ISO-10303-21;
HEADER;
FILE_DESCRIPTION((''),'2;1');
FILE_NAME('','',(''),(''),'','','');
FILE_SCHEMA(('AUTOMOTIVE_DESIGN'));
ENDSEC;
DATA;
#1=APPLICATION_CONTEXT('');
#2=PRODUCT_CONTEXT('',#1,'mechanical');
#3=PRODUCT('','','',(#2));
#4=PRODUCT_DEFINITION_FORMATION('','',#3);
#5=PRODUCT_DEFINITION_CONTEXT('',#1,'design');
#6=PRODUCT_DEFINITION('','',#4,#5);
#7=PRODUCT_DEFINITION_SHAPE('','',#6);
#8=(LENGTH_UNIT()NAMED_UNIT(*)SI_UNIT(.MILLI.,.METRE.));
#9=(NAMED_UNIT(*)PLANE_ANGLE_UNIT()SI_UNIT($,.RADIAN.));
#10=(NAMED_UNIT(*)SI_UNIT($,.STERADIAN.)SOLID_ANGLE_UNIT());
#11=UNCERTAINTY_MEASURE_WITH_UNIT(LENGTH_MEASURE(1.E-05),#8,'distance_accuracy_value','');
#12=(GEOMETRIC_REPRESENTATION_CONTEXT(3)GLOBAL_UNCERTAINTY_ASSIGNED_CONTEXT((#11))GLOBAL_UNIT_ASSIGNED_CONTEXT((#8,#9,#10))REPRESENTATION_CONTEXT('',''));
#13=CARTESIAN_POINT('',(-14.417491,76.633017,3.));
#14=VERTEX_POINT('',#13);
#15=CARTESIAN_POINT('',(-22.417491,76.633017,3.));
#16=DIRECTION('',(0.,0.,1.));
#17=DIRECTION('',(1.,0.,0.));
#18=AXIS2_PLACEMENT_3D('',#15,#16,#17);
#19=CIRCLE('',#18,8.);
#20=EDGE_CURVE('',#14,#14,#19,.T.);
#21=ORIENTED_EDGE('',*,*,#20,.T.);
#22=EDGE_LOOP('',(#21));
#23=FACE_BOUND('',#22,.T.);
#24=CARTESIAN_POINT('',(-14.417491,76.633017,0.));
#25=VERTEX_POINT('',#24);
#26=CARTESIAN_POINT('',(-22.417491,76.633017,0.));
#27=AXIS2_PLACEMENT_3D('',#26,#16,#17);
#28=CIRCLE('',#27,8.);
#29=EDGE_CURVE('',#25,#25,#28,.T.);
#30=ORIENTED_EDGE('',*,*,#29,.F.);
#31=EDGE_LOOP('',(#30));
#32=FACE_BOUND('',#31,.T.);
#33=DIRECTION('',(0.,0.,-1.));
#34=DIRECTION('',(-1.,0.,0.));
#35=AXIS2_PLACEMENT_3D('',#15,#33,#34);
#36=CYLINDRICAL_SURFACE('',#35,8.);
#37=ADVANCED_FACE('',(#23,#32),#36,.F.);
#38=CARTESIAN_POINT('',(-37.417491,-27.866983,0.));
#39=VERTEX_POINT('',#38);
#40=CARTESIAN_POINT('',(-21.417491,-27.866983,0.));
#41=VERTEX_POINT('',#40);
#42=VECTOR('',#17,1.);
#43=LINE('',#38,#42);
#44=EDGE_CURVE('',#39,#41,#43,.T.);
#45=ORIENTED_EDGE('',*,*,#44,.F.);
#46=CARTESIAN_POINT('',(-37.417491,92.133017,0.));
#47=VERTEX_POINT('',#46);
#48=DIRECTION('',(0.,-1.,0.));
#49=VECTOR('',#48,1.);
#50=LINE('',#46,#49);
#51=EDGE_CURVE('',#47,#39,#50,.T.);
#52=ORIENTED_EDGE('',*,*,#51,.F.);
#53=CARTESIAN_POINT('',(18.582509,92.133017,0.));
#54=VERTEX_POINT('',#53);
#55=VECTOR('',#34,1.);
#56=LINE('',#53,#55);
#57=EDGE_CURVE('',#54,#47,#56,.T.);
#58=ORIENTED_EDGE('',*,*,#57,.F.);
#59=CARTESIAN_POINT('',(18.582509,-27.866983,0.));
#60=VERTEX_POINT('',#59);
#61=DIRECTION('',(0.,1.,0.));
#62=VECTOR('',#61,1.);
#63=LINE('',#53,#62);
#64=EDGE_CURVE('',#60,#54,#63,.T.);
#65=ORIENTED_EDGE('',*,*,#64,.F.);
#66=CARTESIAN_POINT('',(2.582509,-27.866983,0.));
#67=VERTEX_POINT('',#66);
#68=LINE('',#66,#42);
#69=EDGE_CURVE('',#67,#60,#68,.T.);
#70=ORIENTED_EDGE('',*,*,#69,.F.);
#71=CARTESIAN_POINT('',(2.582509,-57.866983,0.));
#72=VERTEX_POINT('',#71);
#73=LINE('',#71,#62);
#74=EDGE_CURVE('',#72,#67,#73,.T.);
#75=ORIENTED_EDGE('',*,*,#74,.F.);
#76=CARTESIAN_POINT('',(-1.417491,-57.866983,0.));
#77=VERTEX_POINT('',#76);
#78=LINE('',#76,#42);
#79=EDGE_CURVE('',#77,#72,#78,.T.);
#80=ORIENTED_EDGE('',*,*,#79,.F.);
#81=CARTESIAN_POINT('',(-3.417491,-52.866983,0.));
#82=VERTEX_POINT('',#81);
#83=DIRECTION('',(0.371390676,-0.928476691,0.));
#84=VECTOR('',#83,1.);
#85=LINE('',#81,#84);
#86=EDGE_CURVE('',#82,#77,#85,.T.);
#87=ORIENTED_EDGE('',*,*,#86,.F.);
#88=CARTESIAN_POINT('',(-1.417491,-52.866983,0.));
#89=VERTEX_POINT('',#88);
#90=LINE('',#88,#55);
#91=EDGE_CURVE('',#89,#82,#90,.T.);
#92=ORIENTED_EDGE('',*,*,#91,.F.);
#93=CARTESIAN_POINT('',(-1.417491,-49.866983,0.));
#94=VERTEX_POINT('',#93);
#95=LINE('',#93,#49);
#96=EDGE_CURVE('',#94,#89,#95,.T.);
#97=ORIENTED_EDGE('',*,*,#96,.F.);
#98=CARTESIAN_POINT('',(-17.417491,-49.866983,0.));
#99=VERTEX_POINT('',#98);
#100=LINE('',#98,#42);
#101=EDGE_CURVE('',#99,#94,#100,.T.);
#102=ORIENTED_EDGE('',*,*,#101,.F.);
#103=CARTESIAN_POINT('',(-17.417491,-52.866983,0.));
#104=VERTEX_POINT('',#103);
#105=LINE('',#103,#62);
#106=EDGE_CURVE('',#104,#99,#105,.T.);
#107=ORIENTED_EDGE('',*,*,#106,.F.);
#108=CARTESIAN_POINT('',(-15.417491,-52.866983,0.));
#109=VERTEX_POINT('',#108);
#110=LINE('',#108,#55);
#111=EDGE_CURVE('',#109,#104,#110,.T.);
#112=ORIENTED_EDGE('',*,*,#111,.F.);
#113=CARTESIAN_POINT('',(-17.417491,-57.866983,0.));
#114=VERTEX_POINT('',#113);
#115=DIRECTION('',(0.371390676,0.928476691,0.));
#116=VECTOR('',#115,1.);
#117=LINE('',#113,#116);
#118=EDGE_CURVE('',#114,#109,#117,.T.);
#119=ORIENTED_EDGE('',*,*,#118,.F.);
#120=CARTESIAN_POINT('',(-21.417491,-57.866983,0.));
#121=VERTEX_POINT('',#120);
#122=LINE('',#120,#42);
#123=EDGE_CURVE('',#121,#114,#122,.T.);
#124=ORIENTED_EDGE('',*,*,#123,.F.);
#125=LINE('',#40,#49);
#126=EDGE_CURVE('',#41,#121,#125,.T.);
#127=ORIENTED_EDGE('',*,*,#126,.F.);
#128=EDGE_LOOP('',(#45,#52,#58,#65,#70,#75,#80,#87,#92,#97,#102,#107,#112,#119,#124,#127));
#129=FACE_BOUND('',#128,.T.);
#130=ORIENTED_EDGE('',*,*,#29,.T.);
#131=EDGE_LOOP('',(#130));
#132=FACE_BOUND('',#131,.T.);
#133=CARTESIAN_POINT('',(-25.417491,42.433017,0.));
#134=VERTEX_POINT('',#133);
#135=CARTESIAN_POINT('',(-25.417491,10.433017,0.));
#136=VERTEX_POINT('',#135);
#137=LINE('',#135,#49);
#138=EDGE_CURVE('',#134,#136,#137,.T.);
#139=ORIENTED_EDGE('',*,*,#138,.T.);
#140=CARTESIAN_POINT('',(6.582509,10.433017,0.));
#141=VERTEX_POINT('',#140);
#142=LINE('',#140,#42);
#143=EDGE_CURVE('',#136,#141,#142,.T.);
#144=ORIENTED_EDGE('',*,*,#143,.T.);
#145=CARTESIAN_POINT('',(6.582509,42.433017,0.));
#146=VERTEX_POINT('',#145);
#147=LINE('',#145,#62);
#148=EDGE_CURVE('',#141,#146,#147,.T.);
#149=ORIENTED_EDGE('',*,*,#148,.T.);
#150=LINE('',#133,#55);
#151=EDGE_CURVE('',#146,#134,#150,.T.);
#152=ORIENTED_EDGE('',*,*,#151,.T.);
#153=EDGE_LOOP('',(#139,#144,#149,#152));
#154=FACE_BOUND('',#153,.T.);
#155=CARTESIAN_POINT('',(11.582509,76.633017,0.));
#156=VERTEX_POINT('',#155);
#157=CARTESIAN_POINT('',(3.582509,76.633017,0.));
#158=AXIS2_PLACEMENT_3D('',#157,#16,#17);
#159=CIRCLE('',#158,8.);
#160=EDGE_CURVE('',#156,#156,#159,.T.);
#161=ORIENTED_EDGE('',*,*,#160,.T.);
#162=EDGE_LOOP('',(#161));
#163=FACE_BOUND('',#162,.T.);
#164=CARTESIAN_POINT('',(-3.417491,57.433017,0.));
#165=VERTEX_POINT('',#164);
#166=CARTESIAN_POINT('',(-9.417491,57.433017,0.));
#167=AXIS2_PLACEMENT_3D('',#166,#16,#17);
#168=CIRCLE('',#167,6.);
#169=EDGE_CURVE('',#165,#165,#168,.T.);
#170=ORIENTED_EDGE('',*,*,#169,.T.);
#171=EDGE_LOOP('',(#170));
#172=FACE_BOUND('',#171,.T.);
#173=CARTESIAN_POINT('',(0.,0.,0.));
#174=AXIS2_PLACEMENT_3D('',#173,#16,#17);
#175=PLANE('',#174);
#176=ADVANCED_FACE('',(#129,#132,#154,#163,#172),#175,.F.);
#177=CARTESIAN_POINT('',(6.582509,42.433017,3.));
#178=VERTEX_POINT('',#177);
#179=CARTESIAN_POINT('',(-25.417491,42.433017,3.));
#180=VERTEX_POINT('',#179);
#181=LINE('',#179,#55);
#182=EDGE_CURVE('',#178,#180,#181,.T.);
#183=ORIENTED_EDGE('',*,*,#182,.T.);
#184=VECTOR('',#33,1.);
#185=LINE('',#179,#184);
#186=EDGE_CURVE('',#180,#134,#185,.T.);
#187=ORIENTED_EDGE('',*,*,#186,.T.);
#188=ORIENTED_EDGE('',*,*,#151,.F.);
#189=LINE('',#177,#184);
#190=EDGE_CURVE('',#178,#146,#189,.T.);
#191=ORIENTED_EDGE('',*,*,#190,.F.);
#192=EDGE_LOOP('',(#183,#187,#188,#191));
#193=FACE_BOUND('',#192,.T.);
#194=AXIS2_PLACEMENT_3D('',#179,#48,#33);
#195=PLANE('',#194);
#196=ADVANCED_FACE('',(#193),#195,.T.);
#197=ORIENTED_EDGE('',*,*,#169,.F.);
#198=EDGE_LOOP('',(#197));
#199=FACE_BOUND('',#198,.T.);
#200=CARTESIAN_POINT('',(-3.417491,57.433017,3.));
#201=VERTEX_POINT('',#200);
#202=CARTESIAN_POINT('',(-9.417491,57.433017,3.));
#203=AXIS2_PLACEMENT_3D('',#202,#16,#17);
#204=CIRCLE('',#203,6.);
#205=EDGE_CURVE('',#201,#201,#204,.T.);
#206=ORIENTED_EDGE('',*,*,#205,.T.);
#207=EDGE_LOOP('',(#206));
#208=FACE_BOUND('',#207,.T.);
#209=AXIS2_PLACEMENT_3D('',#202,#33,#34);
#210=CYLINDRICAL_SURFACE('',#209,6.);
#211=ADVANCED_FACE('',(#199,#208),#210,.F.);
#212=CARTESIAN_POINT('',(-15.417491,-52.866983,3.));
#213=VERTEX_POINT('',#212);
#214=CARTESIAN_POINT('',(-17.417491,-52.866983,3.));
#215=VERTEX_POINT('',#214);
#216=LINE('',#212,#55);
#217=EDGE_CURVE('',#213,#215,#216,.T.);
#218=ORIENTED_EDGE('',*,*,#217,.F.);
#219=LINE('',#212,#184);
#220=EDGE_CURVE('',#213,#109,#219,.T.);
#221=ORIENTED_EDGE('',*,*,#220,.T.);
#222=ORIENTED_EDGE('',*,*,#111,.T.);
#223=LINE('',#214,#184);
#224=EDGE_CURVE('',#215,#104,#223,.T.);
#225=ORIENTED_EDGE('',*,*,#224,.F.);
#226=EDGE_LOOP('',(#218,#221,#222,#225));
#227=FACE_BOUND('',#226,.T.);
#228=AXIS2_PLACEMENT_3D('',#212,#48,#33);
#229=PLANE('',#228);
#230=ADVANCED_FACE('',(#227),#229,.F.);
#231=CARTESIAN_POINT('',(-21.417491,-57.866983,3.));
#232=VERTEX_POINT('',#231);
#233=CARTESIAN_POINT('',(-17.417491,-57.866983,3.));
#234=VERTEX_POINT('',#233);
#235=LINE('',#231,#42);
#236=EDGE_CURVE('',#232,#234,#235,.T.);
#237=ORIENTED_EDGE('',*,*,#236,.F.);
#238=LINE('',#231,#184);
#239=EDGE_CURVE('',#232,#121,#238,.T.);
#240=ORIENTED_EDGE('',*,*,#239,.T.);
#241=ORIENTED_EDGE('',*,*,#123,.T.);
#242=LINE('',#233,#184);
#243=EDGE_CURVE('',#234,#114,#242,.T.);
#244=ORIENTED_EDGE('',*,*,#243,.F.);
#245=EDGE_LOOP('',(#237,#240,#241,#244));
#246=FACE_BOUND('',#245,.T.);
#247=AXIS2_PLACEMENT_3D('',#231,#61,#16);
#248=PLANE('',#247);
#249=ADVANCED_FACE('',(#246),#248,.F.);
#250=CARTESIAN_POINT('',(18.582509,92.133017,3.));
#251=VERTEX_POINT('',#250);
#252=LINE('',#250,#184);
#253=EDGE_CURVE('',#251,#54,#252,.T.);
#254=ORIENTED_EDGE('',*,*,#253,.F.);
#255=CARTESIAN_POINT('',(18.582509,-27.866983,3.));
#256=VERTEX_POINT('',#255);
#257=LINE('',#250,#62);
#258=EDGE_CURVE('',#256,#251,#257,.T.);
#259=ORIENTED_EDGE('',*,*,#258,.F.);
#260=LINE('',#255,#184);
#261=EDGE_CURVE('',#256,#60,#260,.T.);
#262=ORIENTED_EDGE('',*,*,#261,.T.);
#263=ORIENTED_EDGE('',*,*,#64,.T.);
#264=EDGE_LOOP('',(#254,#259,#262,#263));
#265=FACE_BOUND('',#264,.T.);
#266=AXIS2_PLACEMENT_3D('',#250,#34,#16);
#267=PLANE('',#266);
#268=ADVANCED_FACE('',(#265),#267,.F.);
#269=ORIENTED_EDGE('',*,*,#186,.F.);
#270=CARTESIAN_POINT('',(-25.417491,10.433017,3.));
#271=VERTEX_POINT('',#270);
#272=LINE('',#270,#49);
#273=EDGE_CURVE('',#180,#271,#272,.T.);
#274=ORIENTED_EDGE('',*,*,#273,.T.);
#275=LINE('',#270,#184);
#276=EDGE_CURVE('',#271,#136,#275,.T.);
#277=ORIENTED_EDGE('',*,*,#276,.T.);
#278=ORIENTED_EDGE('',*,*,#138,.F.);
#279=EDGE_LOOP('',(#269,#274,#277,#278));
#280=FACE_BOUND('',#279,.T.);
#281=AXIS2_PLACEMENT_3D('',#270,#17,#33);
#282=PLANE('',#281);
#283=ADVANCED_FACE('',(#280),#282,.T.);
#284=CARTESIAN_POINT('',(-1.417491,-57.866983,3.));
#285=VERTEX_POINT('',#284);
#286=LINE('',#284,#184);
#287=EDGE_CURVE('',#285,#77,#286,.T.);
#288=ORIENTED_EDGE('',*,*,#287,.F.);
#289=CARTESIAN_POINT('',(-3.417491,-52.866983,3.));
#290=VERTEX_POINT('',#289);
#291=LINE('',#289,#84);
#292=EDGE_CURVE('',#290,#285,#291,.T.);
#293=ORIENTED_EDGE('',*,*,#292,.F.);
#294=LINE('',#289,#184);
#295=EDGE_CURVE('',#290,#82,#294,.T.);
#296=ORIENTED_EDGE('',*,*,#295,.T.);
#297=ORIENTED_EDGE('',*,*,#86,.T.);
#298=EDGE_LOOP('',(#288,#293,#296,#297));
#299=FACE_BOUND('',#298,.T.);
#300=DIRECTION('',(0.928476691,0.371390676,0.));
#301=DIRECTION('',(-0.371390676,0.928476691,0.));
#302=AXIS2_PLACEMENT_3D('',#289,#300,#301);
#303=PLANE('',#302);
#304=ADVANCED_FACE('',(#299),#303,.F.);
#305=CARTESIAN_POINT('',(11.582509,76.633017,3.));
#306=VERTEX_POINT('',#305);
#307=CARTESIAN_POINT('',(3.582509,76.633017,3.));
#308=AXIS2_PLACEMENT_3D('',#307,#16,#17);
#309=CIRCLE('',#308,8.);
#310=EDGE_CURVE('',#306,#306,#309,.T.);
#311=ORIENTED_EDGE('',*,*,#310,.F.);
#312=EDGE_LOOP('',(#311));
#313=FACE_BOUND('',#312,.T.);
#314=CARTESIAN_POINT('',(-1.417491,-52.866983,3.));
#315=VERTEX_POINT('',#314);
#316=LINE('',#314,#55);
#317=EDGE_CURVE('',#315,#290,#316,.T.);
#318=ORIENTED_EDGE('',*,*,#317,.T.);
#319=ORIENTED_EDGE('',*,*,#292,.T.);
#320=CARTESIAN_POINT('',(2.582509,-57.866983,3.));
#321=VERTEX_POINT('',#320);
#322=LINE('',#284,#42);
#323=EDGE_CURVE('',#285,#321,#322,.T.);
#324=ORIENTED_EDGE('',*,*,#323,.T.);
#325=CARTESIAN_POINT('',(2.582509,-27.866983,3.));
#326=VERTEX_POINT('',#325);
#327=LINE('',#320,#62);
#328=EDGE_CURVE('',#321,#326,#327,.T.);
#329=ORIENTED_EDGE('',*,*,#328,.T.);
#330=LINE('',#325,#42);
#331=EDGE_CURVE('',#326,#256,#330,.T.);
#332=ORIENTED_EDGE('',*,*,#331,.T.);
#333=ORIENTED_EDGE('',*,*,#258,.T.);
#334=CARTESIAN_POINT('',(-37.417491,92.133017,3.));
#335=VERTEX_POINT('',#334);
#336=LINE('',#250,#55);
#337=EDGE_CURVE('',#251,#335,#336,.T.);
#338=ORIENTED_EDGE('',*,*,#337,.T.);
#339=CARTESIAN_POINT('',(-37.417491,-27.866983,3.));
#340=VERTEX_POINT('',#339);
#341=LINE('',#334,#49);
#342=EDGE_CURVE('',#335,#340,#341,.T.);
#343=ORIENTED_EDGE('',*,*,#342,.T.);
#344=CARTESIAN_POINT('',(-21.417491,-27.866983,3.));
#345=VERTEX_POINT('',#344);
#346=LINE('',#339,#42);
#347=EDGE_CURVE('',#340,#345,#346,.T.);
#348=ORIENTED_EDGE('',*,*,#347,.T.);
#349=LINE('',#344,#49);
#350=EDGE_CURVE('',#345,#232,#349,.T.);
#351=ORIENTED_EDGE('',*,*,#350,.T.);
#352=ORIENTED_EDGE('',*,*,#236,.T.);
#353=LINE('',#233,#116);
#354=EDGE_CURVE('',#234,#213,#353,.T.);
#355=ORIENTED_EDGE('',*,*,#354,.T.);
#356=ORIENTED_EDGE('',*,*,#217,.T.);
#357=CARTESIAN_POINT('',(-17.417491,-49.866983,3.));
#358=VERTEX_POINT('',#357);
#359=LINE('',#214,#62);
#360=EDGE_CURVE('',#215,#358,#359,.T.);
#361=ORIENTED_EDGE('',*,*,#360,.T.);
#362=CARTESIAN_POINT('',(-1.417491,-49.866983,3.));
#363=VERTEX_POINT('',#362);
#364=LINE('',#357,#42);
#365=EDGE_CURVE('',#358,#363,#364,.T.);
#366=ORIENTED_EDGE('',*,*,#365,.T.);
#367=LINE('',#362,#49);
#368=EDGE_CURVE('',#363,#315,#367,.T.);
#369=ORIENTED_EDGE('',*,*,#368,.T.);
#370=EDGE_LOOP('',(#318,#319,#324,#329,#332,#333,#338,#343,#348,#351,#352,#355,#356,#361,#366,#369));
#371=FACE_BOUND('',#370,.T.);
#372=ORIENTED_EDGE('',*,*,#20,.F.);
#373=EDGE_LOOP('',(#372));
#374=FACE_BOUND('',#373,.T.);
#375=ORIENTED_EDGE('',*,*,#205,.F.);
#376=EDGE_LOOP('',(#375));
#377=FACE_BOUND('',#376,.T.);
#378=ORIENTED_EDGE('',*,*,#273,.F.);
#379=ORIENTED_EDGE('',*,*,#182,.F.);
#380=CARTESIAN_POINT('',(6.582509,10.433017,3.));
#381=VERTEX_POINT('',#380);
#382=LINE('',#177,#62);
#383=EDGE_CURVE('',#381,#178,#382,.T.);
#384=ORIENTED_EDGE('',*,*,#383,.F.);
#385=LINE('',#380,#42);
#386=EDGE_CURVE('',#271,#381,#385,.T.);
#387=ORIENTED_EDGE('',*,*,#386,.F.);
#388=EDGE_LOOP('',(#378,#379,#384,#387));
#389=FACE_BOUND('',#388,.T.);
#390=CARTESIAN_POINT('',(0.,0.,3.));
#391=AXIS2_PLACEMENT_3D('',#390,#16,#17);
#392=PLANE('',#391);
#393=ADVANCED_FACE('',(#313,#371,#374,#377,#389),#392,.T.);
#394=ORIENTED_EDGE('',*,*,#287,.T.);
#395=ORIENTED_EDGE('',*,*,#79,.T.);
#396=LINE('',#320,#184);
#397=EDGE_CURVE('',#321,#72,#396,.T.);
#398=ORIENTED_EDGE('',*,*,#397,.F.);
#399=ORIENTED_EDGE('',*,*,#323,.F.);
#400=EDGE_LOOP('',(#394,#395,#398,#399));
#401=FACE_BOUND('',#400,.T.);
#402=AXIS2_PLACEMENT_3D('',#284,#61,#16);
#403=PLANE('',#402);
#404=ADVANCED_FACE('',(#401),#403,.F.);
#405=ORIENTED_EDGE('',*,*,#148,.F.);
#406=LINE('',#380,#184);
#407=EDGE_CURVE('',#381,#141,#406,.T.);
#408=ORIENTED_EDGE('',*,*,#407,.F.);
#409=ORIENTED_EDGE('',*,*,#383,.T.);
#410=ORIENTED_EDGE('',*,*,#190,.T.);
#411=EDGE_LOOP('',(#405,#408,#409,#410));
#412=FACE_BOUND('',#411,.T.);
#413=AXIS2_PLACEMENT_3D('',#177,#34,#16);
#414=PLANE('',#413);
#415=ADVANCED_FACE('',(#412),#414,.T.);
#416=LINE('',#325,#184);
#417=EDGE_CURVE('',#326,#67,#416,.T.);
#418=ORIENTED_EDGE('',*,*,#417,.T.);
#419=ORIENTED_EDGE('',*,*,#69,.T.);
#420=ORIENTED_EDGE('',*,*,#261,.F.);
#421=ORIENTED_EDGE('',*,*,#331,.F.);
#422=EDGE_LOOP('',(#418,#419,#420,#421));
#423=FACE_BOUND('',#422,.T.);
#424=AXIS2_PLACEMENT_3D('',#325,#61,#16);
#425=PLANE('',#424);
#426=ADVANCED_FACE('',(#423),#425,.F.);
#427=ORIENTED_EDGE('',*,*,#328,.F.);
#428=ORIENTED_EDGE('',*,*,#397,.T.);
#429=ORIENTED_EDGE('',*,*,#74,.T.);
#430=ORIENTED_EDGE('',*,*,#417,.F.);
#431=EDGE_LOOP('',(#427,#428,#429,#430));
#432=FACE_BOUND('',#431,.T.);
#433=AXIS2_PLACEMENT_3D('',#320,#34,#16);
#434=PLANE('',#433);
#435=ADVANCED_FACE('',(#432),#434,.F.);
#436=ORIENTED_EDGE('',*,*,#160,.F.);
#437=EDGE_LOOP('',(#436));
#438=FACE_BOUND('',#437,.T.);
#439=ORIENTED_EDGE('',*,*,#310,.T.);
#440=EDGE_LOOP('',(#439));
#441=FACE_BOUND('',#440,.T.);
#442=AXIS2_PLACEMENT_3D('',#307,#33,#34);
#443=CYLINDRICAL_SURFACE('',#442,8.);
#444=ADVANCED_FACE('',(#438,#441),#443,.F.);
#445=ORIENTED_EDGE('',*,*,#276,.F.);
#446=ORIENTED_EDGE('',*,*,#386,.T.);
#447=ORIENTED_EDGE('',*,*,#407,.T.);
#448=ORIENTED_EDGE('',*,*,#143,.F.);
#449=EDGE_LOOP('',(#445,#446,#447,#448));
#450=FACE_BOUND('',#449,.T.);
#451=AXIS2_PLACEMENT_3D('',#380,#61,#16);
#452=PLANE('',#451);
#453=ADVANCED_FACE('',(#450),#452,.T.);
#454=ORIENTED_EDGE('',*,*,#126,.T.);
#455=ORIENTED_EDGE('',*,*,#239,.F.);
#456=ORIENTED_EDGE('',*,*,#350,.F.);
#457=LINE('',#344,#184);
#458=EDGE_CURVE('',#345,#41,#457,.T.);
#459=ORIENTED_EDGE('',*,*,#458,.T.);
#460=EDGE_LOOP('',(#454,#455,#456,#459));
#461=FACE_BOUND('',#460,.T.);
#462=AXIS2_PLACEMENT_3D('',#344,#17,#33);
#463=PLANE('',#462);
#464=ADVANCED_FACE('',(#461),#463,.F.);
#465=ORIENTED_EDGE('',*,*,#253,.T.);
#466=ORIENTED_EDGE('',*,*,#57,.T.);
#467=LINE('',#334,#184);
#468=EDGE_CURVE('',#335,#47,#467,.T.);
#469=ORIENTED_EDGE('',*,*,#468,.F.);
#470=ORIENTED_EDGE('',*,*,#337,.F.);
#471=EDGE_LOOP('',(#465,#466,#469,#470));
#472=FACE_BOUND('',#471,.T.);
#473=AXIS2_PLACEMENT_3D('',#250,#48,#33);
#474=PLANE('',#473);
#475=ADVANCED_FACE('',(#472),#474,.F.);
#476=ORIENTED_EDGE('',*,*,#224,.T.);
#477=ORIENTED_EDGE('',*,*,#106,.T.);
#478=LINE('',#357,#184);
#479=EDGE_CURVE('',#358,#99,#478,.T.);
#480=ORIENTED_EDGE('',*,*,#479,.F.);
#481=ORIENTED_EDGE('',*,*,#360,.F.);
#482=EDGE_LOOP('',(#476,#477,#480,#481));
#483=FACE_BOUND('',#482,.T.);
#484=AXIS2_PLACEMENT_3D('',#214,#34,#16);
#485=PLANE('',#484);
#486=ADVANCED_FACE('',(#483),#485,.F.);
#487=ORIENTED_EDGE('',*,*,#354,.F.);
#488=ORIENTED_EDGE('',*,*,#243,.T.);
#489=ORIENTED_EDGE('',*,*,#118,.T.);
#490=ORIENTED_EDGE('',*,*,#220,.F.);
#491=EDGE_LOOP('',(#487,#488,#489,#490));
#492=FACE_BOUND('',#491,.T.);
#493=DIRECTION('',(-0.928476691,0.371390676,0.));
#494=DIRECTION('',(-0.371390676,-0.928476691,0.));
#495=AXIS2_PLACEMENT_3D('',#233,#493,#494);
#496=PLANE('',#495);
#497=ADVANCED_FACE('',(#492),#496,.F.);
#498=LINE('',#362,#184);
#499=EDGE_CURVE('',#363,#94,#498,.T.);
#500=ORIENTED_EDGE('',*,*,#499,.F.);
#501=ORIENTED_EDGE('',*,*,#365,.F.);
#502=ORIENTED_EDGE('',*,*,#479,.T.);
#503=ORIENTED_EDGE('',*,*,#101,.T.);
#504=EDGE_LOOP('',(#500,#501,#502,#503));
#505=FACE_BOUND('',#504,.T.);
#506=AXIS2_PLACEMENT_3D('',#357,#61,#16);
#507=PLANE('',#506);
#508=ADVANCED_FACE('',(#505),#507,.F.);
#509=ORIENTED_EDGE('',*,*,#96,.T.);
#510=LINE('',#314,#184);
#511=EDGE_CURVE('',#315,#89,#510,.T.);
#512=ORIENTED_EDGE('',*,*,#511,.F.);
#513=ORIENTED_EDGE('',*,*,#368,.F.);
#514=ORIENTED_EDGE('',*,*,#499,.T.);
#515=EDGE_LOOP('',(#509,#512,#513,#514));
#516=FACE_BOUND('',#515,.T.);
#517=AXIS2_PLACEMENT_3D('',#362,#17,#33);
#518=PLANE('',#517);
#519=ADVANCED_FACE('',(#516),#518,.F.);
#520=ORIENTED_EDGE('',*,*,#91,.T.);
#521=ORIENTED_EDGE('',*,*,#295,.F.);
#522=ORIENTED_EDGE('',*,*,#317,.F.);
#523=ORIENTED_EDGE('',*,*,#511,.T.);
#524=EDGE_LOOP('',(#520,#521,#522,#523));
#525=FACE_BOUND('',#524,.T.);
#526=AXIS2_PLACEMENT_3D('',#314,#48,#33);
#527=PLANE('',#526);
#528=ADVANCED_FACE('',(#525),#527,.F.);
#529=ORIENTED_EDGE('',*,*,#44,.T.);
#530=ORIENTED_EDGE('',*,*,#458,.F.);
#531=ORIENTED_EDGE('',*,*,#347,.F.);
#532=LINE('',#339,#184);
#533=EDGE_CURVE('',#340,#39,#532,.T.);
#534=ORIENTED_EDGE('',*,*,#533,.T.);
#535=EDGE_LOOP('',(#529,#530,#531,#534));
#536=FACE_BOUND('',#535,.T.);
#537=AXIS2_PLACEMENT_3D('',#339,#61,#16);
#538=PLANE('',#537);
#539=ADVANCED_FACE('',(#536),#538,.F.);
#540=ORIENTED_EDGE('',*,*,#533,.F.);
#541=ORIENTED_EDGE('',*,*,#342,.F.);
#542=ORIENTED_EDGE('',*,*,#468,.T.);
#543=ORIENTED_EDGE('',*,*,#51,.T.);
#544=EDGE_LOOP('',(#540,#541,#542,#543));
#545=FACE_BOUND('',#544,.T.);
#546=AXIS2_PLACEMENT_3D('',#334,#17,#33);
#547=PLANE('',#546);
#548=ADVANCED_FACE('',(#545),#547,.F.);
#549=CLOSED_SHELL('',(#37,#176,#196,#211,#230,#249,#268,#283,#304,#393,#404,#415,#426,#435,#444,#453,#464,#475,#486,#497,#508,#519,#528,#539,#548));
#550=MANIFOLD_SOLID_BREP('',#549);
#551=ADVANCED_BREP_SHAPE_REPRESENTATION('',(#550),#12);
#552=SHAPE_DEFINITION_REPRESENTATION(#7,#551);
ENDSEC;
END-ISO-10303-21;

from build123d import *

# Parameters (mm, degrees)
MODEL_R                 = 6
MODEL_R_2               = 8
MODEL_W                 = 32
MODEL_H                 = 32
SALIENTE_EXTRUIR1_DEPTH = 3


with BuildPart() as part:
    # Model → Saliente-Extruir1 (new body)
    with BuildSketch(Plane.XY):
        Polygon((18.582508913, 92.133016607), (18.582508913, -27.866983393), (2.582508913, -27.866983393), (2.582508913, -57.866983393), (-1.417491087, -57.866983393), (-3.417491087, -52.866983393), (-1.417491087, -52.866983393), (-1.417491087, -49.866983393), (-17.417491087, -49.866983393), (-17.417491087, -52.866983393), (-15.417491087, -52.866983393), (-17.417491087, -57.866983393), (-21.417491087, -57.866983393), (-21.417491087, -27.866983393), (-37.417491087, -27.866983393), (-37.417491087, 92.133016607), align=None)
        with Locations((-9.417491087, 57.433016607)):
            Circle(MODEL_R, mode=Mode.SUBTRACT)
        with Locations((-22.417491087, 76.633016607)):
            Circle(MODEL_R_2, mode=Mode.SUBTRACT)
        with Locations((3.582508913, 76.633016607)):
            Circle(MODEL_R_2, mode=Mode.SUBTRACT)
        with Locations((-9.417491087, 26.433016607)):
            Rectangle(MODEL_W, MODEL_H, mode=Mode.SUBTRACT)
    extrude(amount=SALIENTE_EXTRUIR1_DEPTH)


solid = part.part
